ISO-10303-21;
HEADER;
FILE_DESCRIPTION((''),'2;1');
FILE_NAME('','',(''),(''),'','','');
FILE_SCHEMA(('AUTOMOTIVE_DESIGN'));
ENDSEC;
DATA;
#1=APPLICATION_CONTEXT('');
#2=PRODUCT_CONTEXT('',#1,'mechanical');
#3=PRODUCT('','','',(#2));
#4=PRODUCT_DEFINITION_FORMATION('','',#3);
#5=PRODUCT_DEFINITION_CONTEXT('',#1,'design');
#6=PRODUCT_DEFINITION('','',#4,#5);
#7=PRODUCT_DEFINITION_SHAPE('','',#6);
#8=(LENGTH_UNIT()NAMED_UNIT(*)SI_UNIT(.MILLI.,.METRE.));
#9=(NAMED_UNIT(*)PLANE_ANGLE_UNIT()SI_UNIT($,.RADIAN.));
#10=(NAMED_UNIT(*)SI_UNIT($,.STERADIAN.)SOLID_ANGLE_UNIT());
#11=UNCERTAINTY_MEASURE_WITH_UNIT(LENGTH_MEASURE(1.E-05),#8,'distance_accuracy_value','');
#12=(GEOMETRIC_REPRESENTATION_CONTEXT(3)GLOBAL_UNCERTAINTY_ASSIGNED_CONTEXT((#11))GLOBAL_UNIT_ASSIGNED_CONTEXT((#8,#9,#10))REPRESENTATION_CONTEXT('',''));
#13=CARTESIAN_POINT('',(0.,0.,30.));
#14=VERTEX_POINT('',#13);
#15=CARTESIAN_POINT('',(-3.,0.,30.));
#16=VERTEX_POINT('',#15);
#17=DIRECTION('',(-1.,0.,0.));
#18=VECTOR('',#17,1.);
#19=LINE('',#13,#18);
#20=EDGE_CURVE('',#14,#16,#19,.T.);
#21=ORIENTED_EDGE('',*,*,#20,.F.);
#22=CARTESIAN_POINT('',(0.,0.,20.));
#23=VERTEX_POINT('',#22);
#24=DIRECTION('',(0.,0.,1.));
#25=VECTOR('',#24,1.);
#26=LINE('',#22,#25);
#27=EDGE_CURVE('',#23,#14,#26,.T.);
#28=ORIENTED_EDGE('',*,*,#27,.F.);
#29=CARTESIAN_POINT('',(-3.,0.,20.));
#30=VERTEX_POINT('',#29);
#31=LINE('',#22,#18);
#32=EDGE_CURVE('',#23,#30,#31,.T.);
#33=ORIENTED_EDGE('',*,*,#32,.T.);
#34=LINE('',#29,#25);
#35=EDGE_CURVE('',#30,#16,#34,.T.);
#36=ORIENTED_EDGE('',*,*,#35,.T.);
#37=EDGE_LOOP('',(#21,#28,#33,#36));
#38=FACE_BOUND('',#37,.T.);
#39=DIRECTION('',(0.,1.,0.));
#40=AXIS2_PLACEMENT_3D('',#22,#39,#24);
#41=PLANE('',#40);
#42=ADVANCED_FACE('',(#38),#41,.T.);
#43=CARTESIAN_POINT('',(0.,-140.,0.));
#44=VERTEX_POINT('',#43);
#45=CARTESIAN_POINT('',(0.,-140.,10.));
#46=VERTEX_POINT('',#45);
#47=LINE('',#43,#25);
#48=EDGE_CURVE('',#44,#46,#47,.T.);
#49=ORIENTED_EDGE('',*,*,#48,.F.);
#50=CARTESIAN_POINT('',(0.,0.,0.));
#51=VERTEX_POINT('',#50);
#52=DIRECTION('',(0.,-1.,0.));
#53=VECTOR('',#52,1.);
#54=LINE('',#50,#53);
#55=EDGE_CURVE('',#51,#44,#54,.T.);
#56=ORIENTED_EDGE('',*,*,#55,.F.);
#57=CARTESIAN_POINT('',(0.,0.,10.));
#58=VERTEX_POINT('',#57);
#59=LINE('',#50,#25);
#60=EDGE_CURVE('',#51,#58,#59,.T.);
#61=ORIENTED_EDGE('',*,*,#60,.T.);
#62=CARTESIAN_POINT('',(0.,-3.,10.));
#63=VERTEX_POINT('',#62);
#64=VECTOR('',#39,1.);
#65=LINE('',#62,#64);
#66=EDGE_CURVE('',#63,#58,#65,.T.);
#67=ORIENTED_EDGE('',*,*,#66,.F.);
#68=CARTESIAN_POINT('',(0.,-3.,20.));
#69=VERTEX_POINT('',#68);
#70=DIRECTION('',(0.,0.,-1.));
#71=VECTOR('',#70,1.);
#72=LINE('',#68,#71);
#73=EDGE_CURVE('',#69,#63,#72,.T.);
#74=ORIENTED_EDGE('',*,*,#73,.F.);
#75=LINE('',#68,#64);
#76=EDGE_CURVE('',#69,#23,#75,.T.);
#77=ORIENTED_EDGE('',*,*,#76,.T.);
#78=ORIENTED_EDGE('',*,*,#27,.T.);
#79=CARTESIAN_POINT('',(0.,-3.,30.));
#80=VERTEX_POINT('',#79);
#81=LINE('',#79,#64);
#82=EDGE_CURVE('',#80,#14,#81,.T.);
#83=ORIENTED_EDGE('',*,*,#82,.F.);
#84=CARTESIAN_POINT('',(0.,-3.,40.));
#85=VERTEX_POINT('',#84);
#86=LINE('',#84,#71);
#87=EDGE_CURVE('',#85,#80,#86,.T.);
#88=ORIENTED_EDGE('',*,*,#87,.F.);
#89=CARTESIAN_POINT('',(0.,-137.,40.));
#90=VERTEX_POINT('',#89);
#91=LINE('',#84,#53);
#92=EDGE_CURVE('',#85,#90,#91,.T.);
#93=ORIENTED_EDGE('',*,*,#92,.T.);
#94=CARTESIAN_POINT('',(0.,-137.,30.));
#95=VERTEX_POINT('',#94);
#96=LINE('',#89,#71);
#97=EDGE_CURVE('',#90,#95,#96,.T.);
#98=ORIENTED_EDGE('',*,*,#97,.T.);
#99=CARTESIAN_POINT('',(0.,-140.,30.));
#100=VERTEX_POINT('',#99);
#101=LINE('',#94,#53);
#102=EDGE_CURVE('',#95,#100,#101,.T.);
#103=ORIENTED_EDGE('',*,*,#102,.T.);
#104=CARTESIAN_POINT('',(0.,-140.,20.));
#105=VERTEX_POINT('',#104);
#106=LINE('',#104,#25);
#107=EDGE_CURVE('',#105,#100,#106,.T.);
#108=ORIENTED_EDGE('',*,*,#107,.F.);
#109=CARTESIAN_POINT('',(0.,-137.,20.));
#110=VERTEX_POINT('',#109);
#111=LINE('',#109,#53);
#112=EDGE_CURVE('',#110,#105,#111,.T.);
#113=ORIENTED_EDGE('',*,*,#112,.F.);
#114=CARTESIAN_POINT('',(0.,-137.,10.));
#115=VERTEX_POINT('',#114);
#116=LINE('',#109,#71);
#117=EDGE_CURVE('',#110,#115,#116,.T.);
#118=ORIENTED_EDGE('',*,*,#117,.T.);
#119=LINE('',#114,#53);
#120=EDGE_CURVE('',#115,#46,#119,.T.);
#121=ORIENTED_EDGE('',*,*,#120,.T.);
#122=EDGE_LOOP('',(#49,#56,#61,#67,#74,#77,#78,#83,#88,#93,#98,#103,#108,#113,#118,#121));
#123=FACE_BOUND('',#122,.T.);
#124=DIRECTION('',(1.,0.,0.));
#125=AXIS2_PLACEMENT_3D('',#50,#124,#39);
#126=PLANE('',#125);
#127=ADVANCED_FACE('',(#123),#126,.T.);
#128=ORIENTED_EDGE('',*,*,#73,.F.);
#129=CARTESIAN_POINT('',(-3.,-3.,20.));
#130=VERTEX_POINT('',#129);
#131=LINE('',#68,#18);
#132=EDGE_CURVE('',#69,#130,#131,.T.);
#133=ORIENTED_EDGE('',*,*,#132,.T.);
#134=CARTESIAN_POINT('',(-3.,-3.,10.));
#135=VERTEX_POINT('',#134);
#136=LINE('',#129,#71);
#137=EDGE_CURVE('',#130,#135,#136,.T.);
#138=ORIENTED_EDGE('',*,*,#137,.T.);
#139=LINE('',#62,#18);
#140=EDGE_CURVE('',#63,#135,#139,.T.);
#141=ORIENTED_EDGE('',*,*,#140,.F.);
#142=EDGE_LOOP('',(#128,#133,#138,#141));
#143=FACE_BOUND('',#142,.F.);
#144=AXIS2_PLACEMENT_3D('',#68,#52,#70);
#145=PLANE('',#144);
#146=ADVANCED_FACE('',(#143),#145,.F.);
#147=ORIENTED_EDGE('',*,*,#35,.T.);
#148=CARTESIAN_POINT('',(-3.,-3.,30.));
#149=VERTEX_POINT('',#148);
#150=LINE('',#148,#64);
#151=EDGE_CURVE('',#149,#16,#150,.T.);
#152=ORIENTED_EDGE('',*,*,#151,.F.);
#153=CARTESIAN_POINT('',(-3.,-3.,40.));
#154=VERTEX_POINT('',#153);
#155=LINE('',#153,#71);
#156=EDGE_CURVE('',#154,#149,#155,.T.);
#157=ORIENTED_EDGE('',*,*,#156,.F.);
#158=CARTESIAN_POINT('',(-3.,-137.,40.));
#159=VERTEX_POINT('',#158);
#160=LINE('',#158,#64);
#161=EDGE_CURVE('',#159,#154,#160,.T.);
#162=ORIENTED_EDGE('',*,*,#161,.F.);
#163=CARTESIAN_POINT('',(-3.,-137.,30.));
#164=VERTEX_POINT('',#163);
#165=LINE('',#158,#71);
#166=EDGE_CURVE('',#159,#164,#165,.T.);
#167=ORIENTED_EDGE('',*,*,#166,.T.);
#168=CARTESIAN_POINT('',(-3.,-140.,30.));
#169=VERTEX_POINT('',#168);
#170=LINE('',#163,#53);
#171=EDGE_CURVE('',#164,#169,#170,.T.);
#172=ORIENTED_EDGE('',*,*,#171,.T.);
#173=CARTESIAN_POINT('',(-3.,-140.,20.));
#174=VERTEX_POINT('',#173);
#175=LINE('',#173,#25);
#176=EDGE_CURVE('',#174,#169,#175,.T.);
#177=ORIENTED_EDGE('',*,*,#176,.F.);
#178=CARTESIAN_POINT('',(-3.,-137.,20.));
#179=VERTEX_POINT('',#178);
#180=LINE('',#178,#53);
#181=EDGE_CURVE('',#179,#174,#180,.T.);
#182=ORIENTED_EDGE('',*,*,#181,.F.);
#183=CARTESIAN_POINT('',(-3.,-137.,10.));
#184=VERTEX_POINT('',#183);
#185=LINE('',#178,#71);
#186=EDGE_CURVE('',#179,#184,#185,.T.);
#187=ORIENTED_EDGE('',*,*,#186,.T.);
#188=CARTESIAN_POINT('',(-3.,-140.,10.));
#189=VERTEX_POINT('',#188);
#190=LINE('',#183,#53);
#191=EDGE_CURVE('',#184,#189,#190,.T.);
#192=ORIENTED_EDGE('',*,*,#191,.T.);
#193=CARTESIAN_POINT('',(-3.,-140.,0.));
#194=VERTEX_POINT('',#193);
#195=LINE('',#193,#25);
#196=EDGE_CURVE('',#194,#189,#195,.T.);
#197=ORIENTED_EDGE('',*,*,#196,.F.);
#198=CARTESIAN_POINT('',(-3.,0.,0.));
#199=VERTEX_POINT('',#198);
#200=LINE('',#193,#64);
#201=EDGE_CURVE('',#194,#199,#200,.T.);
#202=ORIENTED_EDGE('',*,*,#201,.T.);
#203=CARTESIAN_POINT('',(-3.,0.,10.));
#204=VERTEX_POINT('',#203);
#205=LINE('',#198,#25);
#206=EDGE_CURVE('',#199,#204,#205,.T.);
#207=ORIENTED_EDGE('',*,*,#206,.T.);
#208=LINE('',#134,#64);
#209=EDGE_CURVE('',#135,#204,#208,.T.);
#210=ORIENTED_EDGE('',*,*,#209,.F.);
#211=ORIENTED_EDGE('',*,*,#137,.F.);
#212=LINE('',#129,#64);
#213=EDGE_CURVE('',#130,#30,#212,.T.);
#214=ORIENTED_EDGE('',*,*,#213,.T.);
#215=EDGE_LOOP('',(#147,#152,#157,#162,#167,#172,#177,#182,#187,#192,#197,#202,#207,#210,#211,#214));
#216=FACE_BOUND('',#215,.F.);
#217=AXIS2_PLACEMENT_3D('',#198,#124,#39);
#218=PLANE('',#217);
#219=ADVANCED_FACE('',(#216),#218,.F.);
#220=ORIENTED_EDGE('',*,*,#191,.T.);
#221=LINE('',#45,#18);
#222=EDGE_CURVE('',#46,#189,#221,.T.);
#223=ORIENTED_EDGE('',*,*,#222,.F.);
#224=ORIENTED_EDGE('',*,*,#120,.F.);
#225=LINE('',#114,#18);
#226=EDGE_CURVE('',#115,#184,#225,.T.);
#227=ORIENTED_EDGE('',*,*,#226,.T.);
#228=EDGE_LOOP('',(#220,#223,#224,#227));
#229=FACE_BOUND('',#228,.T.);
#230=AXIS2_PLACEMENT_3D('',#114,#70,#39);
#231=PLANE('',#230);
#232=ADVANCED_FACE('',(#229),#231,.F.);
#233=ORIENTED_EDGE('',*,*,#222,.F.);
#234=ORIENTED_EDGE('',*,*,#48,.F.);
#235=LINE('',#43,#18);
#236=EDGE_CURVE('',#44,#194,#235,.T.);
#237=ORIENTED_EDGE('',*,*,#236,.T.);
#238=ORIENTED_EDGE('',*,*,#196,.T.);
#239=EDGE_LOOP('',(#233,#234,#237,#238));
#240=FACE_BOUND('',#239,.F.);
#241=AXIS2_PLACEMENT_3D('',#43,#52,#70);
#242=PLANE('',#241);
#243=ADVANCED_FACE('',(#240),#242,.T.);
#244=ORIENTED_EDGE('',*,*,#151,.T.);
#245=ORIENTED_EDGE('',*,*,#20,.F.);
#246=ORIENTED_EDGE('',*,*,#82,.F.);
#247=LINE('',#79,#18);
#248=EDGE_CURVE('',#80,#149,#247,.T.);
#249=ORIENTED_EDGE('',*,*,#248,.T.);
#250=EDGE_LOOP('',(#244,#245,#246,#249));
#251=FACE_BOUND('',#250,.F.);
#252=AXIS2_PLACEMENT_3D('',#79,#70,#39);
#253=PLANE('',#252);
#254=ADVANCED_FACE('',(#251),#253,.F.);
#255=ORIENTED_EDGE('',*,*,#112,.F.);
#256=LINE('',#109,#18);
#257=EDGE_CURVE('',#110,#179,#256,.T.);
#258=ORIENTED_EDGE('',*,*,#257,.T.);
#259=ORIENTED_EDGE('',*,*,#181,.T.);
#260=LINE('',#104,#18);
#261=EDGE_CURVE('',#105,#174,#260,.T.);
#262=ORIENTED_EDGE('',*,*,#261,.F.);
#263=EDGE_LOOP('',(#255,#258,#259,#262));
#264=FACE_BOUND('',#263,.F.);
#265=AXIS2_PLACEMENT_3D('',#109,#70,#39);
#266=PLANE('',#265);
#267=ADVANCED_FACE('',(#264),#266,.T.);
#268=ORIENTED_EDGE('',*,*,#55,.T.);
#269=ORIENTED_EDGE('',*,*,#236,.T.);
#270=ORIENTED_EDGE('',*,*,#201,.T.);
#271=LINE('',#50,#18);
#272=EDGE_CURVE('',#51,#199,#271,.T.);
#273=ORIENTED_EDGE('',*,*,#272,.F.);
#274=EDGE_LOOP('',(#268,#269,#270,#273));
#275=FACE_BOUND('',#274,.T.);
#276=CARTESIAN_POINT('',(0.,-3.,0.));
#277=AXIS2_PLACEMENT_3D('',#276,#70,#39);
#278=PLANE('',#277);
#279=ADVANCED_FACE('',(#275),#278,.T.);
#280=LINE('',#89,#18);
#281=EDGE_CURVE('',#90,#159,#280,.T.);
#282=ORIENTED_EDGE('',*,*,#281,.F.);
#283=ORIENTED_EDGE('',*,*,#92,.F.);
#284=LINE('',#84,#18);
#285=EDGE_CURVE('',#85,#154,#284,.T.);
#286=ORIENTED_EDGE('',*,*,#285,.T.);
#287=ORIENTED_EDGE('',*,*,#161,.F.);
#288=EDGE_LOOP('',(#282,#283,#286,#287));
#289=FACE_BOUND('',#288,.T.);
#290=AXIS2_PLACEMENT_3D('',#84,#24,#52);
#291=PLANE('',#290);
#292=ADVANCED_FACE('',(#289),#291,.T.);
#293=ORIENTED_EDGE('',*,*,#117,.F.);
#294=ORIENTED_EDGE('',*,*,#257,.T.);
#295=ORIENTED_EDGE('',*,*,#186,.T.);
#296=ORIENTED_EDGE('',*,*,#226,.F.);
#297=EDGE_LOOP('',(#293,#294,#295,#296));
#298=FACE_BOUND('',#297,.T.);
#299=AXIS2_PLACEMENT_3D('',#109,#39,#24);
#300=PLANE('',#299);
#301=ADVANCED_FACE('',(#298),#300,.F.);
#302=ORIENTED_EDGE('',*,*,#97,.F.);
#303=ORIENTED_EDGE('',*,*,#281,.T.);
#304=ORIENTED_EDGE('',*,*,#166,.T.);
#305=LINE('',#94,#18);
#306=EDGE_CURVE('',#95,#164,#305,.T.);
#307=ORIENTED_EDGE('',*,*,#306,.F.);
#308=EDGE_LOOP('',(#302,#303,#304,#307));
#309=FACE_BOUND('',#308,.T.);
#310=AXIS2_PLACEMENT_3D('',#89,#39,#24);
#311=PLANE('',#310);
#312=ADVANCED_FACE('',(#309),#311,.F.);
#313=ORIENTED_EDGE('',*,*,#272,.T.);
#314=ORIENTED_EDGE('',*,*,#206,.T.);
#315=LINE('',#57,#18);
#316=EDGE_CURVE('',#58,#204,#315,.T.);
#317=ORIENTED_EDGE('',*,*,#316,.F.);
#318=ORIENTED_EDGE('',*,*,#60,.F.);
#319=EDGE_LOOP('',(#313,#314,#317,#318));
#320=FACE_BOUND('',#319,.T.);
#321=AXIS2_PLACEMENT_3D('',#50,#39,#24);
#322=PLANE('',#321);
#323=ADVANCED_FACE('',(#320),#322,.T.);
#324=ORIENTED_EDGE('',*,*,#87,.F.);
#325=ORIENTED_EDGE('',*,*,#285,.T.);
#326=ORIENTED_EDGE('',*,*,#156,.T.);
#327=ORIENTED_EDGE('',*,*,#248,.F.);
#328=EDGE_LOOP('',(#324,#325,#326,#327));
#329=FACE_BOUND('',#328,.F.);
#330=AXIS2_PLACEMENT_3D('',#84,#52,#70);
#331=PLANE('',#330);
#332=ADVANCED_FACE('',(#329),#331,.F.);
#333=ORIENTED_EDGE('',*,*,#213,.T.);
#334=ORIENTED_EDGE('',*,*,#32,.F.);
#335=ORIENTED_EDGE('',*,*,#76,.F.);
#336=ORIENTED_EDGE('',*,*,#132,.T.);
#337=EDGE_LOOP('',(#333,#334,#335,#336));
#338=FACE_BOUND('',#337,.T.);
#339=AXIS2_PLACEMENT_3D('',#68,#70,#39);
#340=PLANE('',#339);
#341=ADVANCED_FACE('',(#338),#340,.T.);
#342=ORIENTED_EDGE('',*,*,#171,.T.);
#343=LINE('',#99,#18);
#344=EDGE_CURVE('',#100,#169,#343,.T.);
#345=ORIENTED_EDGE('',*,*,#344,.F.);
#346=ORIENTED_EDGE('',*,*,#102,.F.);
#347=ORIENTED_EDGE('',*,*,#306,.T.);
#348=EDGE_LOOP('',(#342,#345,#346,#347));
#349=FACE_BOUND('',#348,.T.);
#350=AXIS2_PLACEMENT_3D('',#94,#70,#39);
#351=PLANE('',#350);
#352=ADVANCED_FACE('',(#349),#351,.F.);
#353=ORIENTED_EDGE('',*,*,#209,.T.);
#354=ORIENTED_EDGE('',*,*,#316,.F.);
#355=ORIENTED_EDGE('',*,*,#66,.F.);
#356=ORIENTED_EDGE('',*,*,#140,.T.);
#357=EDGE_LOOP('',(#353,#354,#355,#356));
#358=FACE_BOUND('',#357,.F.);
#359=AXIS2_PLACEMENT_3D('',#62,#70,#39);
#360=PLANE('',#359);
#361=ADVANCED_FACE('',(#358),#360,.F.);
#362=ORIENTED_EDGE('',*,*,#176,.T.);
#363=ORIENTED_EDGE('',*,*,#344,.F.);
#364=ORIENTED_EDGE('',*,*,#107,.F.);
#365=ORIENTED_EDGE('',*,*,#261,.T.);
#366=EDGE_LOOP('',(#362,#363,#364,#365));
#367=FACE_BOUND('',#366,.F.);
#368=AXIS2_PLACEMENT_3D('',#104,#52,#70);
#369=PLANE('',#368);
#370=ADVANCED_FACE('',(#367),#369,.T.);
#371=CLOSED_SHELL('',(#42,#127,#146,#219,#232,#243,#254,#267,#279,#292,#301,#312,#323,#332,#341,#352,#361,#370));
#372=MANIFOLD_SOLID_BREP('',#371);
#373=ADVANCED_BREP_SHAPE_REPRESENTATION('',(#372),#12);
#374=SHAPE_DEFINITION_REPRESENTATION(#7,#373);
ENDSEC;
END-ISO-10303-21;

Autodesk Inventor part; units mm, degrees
ref_plane "YZ Plane" through (0, 0, 0) normal (1, 0, 0) x (0, 1, 0)
ref_plane "XZ Plane" through (0, 0, 0) normal (0, 1, 0) x (-1, 0, 0)
ref_plane "XY Plane" through (0, 0, 0) normal (0, 0, 1) x (1, 0, 0)
sketch "Sketch1" plane through (0, 0, 0) normal (1, 0, 0) x (0, 1, 0)
  line L0 (0, 0) -> (0, 10)
  line L1 (0, 10) -> (0, 20)
  line L2 (0, 20) -> (0, 30)
  line L3 (0, 30) -> (0, 40)
  line L4 (0, 40) -> (-70, 40)
  line L5 (-70, 40) -> (-70, 0)
  line L6 (-70, 0) -> (0, 0)
  line L7 (0, 0) -> (0, 40)
  line L8 (0, 40) -> (-3, 40)
  line L9 (-3, 40) -> (-3, 30)
  line L10 (-3, 30) -> (-3, 20)
  line L11 (-3, 20) -> (-3, 10)
  line L12 (-3, 10) -> (-3, 0)
  line L13 (-3, 30) -> (0, 30)
  line L14 (-3, 20) -> (0, 20)
  line L15 (-3, 10) -> (0, 10)
  dimension "d0" = 10
  dimension "d1" = 10
  dimension "d2" = 10
  dimension "d3" = 10
  dimension "d4" = 70
  dimension "d5" = 40
  dimension "d6" = 3
  dimension "d7" = 10
  dimension "d8" = 10
  dimension "d9" = 10
  dimension "d10" = 10
extrude "Extrusion1" add sketch "Sketch1" against normal blind 3 contours L6 L12 L15 L0 | L6 L5 L4 L9 L10 L11 L12 | L14 L10 L13 L2
mirror "Mirror1" about plane through (0, -70, 0) normal (0, -1, 0) of "Extrusion1"
properties part number "voorruit"
